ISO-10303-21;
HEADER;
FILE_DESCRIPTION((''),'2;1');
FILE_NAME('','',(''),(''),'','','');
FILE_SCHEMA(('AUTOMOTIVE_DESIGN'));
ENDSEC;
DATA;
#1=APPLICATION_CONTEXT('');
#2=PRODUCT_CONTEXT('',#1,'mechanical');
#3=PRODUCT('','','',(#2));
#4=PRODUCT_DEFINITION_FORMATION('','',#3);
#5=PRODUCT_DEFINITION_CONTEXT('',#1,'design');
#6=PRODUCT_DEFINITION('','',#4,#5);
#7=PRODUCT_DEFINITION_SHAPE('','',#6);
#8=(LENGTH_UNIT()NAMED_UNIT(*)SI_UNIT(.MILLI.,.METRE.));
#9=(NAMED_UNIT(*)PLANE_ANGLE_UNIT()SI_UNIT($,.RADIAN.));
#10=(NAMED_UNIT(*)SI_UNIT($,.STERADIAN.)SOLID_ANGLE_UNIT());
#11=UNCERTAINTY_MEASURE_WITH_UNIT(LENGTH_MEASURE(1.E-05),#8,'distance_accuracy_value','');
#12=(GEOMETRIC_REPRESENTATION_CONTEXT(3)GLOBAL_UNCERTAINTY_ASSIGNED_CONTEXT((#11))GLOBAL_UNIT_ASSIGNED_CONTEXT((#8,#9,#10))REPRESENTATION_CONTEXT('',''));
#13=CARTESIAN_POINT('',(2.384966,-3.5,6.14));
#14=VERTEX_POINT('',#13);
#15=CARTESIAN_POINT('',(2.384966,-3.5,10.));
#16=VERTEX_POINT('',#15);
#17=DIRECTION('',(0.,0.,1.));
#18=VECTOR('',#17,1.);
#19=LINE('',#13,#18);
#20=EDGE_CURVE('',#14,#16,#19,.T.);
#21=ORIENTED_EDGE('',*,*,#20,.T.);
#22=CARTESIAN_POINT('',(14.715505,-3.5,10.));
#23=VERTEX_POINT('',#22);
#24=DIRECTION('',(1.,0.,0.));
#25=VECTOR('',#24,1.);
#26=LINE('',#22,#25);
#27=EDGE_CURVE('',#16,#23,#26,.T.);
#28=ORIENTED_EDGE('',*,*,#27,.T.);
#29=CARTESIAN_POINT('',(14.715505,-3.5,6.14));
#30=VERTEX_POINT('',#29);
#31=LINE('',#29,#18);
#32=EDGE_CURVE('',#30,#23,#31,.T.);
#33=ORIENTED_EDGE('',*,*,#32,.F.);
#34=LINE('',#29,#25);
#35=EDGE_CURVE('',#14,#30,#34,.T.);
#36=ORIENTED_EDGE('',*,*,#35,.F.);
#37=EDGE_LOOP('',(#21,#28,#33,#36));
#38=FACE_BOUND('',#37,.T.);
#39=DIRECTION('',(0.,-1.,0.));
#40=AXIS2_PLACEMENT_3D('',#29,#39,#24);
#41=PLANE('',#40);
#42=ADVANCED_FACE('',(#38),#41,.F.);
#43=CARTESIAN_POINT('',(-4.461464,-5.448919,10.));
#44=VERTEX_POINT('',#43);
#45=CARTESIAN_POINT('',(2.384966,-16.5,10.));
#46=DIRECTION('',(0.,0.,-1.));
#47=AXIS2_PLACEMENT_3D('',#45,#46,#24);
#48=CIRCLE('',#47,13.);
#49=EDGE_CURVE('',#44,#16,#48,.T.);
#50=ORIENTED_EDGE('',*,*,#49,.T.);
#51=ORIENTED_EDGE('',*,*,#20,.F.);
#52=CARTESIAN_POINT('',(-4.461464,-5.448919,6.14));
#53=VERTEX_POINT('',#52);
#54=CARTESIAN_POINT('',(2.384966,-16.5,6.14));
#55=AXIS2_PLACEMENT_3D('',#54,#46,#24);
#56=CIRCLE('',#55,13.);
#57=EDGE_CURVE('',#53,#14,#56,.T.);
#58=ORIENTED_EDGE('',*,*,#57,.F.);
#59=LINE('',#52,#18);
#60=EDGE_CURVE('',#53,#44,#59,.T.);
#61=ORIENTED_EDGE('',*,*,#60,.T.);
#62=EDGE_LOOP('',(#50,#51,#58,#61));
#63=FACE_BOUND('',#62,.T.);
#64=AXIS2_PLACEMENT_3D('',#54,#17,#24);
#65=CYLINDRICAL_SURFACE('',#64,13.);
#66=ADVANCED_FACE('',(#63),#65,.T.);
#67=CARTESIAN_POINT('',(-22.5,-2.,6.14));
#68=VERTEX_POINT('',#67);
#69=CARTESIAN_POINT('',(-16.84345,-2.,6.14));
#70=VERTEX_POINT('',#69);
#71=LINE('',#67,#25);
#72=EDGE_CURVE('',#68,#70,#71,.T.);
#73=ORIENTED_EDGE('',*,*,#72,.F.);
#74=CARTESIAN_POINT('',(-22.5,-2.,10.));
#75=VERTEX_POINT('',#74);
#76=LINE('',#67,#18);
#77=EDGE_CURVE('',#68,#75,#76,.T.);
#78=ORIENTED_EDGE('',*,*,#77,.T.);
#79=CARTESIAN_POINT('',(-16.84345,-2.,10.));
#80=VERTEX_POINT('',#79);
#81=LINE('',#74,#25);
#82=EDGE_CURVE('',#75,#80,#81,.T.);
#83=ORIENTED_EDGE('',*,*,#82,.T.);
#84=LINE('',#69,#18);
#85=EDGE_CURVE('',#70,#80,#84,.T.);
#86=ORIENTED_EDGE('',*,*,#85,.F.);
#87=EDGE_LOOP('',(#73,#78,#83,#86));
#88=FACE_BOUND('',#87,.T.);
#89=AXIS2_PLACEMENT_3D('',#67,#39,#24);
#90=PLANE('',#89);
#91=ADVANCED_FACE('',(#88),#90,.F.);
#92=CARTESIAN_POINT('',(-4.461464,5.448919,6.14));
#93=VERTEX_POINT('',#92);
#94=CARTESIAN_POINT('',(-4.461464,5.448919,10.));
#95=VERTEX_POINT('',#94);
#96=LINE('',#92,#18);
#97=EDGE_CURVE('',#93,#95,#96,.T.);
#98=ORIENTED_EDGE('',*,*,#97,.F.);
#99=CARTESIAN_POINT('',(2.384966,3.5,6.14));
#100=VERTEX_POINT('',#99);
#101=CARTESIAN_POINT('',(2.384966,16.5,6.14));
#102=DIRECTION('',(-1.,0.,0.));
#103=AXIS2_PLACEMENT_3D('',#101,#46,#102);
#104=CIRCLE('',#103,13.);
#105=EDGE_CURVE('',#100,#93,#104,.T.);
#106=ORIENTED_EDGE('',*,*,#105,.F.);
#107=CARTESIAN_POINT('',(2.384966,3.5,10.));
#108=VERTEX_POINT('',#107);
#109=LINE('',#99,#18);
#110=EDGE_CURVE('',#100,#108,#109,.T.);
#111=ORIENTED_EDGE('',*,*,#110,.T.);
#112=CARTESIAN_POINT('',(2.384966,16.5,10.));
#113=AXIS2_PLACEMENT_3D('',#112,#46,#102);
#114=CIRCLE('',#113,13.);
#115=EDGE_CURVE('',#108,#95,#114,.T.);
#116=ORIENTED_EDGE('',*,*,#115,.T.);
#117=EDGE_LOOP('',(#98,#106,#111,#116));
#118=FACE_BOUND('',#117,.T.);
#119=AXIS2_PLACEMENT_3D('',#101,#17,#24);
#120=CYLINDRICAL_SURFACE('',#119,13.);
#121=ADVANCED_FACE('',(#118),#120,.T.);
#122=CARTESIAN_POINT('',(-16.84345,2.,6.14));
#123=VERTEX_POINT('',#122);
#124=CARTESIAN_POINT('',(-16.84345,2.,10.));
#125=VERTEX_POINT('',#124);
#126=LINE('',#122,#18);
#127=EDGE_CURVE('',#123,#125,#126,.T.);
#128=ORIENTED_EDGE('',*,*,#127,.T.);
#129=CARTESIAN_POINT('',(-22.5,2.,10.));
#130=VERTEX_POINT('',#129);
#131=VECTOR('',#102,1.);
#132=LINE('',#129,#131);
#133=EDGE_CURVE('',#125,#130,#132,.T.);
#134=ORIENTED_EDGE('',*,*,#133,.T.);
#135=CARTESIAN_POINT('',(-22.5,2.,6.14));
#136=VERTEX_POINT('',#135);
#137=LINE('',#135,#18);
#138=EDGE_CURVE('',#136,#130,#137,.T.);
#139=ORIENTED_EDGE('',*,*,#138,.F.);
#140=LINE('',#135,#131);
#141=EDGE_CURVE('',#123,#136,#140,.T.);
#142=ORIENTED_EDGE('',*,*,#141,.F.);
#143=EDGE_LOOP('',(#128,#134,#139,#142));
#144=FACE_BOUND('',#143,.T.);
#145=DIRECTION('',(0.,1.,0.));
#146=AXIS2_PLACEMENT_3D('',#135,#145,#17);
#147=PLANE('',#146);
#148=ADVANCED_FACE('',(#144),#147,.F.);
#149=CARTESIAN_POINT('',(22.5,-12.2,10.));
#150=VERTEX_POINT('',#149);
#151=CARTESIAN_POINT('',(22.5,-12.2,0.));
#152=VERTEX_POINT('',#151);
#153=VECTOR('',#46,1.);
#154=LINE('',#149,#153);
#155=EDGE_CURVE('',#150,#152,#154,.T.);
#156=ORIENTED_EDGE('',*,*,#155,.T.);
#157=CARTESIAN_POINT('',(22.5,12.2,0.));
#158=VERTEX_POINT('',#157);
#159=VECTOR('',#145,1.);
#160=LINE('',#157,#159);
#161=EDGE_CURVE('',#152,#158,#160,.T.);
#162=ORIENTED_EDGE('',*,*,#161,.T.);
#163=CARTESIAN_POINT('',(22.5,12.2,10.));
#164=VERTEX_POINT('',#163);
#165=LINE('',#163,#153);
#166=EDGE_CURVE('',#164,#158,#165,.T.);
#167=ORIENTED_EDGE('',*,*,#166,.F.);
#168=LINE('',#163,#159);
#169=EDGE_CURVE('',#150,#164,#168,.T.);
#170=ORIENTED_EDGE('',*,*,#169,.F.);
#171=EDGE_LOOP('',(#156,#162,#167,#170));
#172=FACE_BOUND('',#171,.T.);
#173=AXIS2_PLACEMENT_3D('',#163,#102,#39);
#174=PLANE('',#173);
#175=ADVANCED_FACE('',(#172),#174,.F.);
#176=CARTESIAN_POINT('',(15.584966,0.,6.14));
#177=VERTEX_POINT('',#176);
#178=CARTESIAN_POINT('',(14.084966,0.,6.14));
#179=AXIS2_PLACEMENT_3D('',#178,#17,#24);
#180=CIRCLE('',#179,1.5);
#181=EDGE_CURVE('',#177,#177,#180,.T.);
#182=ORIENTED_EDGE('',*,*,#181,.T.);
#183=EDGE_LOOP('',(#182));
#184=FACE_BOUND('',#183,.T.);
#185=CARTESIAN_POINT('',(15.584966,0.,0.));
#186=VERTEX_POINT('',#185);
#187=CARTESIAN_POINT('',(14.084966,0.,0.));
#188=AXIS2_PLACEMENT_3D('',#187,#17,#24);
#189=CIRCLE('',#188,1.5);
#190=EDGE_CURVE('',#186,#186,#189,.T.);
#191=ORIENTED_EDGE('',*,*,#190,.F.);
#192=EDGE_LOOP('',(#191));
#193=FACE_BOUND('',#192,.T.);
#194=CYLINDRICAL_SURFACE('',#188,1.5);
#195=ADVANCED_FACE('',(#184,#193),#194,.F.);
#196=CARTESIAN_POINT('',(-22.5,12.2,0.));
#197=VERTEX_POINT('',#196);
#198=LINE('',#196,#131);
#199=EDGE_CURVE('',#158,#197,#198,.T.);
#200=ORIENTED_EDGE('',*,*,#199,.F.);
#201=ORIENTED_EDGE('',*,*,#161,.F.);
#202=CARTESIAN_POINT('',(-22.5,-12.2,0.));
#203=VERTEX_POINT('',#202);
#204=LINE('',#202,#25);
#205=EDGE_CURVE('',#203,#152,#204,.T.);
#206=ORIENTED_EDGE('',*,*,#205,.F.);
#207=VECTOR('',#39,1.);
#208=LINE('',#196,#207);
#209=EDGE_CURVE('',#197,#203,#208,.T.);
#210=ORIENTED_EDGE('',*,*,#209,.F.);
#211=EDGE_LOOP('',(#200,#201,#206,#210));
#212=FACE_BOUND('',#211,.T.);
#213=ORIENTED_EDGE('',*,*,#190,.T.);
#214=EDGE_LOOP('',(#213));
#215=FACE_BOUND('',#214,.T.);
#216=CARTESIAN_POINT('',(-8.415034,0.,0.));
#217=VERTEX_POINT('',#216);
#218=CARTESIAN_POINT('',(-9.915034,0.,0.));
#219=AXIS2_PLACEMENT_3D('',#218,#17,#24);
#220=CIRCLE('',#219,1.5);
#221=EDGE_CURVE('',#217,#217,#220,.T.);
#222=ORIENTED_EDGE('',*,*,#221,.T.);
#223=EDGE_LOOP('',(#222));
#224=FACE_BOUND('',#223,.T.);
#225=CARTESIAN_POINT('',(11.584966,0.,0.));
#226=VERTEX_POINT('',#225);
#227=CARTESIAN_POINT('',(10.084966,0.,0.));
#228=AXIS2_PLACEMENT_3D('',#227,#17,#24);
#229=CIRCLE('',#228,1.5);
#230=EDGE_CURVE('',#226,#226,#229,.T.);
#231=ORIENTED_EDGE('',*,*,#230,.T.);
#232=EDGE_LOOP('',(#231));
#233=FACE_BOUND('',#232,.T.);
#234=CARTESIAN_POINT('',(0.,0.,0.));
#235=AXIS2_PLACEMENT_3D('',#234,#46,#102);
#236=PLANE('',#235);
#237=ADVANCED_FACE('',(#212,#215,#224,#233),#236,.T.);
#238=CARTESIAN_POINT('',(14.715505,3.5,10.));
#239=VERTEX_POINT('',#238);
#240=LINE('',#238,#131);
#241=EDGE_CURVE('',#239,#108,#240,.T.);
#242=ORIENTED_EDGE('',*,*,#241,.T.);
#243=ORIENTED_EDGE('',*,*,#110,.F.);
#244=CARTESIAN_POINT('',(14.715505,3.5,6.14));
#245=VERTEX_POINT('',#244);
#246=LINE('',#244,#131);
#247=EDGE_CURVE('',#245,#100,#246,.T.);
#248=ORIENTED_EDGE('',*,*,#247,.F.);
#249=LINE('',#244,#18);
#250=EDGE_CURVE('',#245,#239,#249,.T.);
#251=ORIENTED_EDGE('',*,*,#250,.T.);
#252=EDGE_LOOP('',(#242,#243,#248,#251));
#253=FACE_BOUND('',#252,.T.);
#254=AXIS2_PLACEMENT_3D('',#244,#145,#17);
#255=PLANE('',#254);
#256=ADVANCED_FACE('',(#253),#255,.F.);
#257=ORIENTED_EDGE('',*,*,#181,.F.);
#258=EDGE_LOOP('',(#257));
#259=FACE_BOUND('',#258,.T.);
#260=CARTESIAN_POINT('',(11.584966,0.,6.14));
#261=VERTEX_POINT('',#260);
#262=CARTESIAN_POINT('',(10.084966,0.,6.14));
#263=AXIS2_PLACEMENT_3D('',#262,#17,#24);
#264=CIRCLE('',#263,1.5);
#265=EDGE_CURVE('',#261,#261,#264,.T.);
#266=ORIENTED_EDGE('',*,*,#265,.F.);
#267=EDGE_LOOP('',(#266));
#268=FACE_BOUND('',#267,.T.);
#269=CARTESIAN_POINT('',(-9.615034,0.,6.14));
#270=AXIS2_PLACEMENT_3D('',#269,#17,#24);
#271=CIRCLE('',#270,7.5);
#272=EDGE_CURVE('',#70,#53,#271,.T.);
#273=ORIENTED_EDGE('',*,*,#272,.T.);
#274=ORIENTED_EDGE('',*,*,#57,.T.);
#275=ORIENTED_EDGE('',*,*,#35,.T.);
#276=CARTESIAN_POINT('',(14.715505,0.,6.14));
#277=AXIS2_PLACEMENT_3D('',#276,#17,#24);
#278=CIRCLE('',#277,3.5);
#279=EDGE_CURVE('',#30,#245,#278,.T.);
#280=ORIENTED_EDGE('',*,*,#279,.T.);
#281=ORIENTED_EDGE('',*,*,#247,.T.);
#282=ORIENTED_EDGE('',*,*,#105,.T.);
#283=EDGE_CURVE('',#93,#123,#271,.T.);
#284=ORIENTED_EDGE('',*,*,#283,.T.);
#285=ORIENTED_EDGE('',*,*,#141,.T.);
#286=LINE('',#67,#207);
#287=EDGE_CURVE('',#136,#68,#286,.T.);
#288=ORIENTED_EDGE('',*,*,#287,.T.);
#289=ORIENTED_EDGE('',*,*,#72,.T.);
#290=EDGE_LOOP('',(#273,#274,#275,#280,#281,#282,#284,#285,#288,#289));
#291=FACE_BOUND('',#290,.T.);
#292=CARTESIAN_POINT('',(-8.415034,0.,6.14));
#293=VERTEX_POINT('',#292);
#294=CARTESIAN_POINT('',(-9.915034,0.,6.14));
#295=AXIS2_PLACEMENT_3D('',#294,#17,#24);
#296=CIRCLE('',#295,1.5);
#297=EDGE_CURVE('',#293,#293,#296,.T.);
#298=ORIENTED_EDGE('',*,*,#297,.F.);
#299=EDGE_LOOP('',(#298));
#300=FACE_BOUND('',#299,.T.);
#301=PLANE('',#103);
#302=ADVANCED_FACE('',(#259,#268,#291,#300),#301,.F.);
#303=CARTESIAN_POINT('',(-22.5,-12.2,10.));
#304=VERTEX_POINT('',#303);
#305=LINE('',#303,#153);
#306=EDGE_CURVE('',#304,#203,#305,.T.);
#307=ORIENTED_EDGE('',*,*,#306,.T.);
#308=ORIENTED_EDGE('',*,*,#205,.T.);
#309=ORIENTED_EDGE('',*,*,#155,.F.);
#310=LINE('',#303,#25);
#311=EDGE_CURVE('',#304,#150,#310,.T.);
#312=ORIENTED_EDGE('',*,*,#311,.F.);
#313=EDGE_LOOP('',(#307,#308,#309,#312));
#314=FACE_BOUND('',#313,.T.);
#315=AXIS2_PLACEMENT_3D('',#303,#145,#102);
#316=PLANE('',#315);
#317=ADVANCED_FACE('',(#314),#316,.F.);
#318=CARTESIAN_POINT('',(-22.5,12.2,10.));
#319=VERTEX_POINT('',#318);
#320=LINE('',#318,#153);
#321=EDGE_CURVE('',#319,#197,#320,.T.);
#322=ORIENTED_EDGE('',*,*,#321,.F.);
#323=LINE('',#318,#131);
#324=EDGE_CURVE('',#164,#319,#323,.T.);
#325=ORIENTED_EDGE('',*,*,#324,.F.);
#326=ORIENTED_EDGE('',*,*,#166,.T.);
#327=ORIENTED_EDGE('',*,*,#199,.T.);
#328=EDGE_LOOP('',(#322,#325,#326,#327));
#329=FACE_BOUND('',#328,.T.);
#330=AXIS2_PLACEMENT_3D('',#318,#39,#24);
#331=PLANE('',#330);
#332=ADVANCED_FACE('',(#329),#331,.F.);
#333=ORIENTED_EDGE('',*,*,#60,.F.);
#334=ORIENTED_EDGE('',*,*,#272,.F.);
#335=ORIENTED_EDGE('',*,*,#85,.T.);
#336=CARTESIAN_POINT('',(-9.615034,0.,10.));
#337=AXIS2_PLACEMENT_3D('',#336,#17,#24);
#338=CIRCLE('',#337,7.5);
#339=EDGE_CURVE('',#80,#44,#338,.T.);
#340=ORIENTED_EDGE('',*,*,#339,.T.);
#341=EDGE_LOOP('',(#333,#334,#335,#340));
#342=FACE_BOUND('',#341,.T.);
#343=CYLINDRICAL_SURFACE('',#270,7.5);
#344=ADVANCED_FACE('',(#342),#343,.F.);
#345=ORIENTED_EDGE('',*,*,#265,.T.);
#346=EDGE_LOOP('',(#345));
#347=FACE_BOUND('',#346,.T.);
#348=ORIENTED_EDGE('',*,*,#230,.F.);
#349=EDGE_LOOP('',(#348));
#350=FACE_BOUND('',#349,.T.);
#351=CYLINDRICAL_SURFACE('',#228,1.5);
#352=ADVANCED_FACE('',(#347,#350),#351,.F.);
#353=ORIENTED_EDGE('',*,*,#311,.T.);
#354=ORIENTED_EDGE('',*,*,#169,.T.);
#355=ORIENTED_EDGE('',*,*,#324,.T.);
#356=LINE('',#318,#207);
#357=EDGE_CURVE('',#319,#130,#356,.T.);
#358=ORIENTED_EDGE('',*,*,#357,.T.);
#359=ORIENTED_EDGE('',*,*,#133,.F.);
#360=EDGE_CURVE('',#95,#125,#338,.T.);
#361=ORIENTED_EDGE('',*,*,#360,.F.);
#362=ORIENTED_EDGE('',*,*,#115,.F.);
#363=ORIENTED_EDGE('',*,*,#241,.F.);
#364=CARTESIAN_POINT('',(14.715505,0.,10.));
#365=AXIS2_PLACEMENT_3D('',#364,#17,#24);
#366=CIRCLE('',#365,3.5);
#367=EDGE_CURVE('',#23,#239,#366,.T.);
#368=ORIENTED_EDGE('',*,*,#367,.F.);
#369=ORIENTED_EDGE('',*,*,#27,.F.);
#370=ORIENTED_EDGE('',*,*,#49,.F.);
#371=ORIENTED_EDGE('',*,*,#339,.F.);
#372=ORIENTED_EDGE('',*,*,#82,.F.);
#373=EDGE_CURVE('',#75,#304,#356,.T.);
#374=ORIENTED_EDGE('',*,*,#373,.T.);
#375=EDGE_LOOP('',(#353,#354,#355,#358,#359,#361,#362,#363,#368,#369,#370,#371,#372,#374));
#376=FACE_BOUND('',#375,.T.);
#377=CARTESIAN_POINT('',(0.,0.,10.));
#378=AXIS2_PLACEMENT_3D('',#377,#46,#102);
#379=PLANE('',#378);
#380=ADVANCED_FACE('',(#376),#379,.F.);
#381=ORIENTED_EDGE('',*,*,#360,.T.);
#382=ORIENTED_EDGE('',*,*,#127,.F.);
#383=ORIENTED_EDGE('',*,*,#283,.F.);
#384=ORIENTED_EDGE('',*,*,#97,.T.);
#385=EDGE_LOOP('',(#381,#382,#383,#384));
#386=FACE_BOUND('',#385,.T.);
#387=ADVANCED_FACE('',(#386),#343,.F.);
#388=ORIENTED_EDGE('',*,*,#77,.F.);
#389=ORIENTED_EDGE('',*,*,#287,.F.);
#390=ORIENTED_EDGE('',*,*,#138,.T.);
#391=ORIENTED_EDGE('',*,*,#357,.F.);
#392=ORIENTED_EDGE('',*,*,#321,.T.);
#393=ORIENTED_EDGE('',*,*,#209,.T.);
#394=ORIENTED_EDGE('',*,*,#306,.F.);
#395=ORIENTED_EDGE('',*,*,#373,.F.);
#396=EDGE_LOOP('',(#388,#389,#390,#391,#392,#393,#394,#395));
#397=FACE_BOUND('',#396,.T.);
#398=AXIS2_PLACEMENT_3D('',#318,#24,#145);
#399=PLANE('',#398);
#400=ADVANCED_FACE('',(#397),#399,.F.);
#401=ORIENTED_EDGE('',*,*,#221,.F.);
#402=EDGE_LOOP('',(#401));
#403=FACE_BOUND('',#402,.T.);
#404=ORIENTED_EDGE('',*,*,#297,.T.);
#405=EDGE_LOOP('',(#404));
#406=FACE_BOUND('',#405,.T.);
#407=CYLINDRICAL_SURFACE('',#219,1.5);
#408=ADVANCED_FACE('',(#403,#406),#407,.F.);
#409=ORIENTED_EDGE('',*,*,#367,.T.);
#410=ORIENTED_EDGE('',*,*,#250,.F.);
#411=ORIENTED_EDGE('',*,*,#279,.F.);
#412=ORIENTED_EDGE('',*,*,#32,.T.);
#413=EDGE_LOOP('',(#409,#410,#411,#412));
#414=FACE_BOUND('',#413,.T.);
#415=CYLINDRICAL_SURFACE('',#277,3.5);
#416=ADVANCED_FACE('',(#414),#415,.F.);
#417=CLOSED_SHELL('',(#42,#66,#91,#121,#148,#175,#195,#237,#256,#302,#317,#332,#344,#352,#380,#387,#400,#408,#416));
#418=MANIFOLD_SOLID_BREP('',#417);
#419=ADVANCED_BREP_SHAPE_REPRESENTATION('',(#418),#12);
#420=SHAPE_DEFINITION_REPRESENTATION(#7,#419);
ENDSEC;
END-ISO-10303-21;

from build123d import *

# Parameters (mm, degrees)
SKETCH2_W           = 24.4
SKETCH2_H           = 45
BOSS_EXTRUDE1_DEPTH = 10
CUT_EXTRUDE1_DEPTH  = 3.86
SKETCH4_R           = 1.5
CUT_EXTRUDE2_DEPTH  = 27.320896641
CUT_EXTRUDE4_DEPTH  = 3.86


with BuildPart() as part:
    # Sketch2 → Boss-Extrude1 (new body)
    with BuildSketch(Plane(origin=(0, 0, 0), x_dir=(0, 1, 0), z_dir=(0, 0, 1))):
        Rectangle(SKETCH2_W, SKETCH2_H)
    extrude(amount=BOSS_EXTRUDE1_DEPTH)

    # Sketch3 → Cut-Extrude1 (cut)
    with BuildSketch(Plane.XY.offset(10)):
        with BuildLine():
            Line((14.715504893, 3.5), (2.384966333, 3.5))
            ThreePointArc((2.384966333, 3.5), (-1.174243063, 3.996719292), (-4.461463541, 5.448918697))
            ThreePointArc((-4.461463541, 5.448918697), (-17.115033667, 0), (-4.461463541, -5.448918697))
            ThreePointArc((-4.461463541, -5.448918697), (-1.174243063, -3.996719292), (2.384966333, -3.5))
            Line((2.384966333, -3.5), (14.715504893, -3.5))
            ThreePointArc((14.715504893, -3.5), (18.215504893, 0), (14.715504893, 3.5))
        make_face()
    extrude(amount=-CUT_EXTRUDE1_DEPTH, mode=Mode.SUBTRACT)

    # Sketch4 → Cut-Extrude2 (cut, through all)
    with BuildSketch(Plane.XY.offset(6.14)):
        with Locations((10.084966333, 0)):
            Circle(SKETCH4_R)
        with Locations((14.084966333, 0)):
            Circle(SKETCH4_R)
        with Locations((-9.915033667, 0)):
            Circle(SKETCH4_R)
    extrude(amount=-CUT_EXTRUDE2_DEPTH, mode=Mode.SUBTRACT)

    # Sketch6 → Cut-Extrude4 (cut)
    with BuildSketch(Plane.XY.offset(10)):
        with BuildLine():
            Line((-22.5, 2), (-16.843449814, 2))
            ThreePointArc((-16.843449814, 2), (-17.115033667, 0), (-16.843449814, -2))
            Line((-16.843449814, -2), (-22.5, -2))
            Line((-22.5, -2), (-22.5, 2))
        make_face()
    extrude(amount=-CUT_EXTRUDE4_DEPTH, mode=Mode.SUBTRACT)


solid = part.part
